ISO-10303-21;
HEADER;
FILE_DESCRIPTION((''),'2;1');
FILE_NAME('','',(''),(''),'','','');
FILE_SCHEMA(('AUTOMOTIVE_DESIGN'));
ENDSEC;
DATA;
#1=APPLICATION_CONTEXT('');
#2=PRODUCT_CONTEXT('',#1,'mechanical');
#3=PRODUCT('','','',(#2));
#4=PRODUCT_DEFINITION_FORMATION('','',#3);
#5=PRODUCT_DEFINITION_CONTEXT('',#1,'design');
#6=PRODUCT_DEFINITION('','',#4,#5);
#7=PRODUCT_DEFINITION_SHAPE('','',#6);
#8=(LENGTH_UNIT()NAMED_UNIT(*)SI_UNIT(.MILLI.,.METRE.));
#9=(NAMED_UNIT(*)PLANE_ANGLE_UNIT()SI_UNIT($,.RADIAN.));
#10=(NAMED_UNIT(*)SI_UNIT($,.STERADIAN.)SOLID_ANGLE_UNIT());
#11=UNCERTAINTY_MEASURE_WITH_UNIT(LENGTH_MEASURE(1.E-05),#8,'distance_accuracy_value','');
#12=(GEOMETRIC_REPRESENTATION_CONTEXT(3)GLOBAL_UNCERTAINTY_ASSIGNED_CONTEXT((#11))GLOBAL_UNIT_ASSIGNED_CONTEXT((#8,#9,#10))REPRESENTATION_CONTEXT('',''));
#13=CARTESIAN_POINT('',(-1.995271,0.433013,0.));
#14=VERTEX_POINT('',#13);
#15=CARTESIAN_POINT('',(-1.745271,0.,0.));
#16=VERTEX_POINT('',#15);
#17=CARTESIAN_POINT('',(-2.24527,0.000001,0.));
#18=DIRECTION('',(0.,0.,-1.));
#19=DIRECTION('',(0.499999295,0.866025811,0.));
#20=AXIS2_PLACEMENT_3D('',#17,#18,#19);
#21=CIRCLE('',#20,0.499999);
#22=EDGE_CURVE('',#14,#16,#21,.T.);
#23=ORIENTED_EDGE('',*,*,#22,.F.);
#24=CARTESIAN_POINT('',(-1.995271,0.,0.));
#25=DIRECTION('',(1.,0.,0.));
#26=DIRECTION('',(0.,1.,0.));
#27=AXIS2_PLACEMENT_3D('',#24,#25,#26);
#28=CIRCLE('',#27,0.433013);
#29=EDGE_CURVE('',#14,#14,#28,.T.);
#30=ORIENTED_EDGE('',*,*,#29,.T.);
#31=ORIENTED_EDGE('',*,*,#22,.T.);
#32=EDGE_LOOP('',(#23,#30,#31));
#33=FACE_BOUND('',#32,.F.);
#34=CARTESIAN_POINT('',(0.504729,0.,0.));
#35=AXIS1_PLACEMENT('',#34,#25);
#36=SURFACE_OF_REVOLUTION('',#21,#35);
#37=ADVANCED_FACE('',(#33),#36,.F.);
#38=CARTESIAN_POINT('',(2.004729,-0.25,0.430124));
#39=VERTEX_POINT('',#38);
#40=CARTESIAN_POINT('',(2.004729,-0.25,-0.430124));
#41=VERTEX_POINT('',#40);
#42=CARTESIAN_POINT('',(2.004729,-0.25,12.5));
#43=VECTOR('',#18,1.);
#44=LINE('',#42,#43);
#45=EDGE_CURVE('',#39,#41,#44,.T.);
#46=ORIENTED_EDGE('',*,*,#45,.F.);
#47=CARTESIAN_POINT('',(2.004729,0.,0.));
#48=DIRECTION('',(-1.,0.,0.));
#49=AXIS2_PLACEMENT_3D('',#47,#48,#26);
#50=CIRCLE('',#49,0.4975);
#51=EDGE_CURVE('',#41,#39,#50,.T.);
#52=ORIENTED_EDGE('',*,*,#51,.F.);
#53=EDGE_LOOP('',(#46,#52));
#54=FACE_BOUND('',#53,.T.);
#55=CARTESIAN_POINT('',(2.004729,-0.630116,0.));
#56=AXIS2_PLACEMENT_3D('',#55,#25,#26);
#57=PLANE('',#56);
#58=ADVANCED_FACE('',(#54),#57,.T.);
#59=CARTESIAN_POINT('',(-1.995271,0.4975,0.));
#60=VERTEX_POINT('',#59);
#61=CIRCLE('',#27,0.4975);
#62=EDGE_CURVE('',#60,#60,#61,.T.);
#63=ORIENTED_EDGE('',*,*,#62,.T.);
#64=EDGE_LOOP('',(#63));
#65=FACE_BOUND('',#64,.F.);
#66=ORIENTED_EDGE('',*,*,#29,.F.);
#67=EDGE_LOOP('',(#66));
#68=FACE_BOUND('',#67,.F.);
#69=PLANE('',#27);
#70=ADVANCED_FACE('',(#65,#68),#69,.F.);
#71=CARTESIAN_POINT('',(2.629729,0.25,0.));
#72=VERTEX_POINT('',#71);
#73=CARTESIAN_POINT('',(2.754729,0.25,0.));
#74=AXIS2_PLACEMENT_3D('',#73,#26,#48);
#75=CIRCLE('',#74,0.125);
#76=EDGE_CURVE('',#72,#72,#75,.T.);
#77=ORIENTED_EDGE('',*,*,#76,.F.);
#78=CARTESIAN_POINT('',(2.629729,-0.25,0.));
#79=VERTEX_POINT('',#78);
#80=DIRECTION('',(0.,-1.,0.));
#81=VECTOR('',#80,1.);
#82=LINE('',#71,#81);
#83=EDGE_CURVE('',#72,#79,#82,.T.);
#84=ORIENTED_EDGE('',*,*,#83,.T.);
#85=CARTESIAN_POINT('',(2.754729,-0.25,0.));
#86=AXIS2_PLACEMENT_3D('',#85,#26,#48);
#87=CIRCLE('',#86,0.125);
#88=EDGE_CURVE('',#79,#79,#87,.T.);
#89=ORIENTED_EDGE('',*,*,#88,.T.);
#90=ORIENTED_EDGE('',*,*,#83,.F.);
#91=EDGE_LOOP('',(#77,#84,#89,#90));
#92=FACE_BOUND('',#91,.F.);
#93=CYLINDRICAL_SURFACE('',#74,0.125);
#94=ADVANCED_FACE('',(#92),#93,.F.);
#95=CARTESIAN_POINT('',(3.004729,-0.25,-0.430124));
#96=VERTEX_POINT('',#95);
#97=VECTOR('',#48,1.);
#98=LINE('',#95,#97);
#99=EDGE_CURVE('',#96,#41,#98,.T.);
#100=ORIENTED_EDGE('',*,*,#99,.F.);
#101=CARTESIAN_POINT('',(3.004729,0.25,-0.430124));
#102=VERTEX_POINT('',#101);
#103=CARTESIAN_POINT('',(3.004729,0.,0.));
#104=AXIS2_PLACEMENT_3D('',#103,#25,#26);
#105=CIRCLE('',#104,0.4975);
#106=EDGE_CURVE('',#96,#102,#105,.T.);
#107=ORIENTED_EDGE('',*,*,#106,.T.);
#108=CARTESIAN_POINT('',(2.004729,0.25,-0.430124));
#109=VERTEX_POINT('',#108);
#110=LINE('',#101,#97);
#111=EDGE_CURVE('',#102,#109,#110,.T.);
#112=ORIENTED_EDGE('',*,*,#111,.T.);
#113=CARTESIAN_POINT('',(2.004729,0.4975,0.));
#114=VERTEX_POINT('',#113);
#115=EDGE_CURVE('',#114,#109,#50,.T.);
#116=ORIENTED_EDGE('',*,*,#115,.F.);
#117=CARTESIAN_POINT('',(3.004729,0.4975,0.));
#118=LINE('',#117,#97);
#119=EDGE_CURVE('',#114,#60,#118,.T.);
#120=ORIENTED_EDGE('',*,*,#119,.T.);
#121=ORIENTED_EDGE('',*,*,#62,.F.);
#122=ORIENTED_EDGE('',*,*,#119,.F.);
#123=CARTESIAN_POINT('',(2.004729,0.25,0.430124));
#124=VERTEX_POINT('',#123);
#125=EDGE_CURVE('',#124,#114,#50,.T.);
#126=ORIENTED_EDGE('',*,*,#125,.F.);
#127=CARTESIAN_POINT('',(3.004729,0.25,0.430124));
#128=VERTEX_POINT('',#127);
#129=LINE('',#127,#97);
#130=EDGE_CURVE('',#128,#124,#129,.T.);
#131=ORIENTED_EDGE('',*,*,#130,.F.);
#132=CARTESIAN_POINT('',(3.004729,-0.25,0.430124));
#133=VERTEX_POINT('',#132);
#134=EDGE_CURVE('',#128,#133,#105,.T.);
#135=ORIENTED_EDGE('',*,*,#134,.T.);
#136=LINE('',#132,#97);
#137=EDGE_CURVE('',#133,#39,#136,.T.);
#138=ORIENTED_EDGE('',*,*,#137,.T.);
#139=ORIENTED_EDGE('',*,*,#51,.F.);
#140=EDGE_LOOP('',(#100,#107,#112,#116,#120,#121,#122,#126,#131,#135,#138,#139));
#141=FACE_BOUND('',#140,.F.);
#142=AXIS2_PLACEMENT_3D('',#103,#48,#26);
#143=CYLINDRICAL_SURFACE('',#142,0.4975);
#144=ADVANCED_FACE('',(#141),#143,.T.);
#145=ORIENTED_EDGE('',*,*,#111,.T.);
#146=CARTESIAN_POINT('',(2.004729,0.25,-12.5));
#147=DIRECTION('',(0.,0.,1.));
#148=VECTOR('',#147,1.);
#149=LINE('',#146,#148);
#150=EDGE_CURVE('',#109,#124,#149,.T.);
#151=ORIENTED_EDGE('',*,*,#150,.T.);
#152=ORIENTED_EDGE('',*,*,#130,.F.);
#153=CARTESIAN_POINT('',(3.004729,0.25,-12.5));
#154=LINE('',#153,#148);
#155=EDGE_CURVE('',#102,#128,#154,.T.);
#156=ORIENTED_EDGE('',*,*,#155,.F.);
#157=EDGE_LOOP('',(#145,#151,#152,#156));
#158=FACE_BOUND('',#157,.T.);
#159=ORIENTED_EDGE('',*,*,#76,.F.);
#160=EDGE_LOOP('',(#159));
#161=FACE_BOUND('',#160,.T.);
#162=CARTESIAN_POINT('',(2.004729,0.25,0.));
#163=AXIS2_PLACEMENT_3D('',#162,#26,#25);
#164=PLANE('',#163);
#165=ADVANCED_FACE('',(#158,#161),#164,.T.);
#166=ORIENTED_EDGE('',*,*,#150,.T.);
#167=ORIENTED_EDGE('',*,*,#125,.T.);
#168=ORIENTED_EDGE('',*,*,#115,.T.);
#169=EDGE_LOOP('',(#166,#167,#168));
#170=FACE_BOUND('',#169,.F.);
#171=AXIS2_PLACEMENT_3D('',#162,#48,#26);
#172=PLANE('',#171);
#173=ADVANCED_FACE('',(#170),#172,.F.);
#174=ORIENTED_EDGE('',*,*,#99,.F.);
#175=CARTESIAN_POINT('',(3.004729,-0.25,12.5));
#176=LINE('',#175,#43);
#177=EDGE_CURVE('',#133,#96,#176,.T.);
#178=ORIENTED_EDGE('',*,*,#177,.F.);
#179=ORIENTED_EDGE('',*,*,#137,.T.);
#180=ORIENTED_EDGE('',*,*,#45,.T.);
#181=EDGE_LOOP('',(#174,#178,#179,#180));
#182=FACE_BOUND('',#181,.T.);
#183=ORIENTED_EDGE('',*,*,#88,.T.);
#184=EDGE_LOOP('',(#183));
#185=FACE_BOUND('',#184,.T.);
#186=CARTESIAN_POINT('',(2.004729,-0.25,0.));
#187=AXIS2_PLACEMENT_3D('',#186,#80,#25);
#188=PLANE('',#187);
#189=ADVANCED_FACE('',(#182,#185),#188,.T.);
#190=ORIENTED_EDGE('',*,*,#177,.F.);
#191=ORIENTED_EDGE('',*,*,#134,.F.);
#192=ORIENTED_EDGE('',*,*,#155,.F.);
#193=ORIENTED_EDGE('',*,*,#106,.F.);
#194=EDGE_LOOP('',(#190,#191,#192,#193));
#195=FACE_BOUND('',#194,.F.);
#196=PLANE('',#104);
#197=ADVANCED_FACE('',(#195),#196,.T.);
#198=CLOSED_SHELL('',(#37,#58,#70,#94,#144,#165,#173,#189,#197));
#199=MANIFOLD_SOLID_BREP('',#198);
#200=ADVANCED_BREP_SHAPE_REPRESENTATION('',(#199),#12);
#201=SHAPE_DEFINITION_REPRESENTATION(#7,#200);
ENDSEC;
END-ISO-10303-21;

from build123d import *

# Parameters (mm, degrees)
F2_W     = 1
F2_H     = 0.380117
F3_DEPTH = 12.5
F4_R     = 0.125
F5_DEPTH = 25


with BuildPart() as f1:
    # F0 (on Top) → F1 (revolve)
    with BuildSketch(Plane.XY):
        with BuildLine():
            ThreePointArc((-1.995271, 0.433013), (-1.812258, 0.25), (-1.745271, 0))
            Line((-1.745271, 0), (3.004729, 0))
            Line((3.004729, 0), (3.004729, 0.4975))
            Line((3.004729, 0.4975), (-1.995271, 0.4975))
            Line((-1.995271, 0.4975), (-1.995271, 0.433013))
        make_face()
    revolve(axis=Axis((0.504729, 0, 0), (1, 0, 0)))

    # F2 (on Top) → F3 (cut, symmetric)
    with BuildSketch(Plane.XY):
        with Locations((2.504729, 0.440058)):
            Rectangle(F2_W, F2_H)
        with Locations((2.504729, -0.440058)):
            Rectangle(F2_W, F2_H)
    extrude(amount=F3_DEPTH, both=True, mode=Mode.SUBTRACT)

    # F4 (on face) → F5 (cut)
    with BuildSketch(Plane(origin=(0, 0.25, 0), x_dir=(-1, 0, 0), z_dir=(0, 1, 0))):
        with Locations((-2.754729, 0)):
            Circle(F4_R)
    extrude(amount=-F5_DEPTH, mode=Mode.SUBTRACT)


solid = f1.part
